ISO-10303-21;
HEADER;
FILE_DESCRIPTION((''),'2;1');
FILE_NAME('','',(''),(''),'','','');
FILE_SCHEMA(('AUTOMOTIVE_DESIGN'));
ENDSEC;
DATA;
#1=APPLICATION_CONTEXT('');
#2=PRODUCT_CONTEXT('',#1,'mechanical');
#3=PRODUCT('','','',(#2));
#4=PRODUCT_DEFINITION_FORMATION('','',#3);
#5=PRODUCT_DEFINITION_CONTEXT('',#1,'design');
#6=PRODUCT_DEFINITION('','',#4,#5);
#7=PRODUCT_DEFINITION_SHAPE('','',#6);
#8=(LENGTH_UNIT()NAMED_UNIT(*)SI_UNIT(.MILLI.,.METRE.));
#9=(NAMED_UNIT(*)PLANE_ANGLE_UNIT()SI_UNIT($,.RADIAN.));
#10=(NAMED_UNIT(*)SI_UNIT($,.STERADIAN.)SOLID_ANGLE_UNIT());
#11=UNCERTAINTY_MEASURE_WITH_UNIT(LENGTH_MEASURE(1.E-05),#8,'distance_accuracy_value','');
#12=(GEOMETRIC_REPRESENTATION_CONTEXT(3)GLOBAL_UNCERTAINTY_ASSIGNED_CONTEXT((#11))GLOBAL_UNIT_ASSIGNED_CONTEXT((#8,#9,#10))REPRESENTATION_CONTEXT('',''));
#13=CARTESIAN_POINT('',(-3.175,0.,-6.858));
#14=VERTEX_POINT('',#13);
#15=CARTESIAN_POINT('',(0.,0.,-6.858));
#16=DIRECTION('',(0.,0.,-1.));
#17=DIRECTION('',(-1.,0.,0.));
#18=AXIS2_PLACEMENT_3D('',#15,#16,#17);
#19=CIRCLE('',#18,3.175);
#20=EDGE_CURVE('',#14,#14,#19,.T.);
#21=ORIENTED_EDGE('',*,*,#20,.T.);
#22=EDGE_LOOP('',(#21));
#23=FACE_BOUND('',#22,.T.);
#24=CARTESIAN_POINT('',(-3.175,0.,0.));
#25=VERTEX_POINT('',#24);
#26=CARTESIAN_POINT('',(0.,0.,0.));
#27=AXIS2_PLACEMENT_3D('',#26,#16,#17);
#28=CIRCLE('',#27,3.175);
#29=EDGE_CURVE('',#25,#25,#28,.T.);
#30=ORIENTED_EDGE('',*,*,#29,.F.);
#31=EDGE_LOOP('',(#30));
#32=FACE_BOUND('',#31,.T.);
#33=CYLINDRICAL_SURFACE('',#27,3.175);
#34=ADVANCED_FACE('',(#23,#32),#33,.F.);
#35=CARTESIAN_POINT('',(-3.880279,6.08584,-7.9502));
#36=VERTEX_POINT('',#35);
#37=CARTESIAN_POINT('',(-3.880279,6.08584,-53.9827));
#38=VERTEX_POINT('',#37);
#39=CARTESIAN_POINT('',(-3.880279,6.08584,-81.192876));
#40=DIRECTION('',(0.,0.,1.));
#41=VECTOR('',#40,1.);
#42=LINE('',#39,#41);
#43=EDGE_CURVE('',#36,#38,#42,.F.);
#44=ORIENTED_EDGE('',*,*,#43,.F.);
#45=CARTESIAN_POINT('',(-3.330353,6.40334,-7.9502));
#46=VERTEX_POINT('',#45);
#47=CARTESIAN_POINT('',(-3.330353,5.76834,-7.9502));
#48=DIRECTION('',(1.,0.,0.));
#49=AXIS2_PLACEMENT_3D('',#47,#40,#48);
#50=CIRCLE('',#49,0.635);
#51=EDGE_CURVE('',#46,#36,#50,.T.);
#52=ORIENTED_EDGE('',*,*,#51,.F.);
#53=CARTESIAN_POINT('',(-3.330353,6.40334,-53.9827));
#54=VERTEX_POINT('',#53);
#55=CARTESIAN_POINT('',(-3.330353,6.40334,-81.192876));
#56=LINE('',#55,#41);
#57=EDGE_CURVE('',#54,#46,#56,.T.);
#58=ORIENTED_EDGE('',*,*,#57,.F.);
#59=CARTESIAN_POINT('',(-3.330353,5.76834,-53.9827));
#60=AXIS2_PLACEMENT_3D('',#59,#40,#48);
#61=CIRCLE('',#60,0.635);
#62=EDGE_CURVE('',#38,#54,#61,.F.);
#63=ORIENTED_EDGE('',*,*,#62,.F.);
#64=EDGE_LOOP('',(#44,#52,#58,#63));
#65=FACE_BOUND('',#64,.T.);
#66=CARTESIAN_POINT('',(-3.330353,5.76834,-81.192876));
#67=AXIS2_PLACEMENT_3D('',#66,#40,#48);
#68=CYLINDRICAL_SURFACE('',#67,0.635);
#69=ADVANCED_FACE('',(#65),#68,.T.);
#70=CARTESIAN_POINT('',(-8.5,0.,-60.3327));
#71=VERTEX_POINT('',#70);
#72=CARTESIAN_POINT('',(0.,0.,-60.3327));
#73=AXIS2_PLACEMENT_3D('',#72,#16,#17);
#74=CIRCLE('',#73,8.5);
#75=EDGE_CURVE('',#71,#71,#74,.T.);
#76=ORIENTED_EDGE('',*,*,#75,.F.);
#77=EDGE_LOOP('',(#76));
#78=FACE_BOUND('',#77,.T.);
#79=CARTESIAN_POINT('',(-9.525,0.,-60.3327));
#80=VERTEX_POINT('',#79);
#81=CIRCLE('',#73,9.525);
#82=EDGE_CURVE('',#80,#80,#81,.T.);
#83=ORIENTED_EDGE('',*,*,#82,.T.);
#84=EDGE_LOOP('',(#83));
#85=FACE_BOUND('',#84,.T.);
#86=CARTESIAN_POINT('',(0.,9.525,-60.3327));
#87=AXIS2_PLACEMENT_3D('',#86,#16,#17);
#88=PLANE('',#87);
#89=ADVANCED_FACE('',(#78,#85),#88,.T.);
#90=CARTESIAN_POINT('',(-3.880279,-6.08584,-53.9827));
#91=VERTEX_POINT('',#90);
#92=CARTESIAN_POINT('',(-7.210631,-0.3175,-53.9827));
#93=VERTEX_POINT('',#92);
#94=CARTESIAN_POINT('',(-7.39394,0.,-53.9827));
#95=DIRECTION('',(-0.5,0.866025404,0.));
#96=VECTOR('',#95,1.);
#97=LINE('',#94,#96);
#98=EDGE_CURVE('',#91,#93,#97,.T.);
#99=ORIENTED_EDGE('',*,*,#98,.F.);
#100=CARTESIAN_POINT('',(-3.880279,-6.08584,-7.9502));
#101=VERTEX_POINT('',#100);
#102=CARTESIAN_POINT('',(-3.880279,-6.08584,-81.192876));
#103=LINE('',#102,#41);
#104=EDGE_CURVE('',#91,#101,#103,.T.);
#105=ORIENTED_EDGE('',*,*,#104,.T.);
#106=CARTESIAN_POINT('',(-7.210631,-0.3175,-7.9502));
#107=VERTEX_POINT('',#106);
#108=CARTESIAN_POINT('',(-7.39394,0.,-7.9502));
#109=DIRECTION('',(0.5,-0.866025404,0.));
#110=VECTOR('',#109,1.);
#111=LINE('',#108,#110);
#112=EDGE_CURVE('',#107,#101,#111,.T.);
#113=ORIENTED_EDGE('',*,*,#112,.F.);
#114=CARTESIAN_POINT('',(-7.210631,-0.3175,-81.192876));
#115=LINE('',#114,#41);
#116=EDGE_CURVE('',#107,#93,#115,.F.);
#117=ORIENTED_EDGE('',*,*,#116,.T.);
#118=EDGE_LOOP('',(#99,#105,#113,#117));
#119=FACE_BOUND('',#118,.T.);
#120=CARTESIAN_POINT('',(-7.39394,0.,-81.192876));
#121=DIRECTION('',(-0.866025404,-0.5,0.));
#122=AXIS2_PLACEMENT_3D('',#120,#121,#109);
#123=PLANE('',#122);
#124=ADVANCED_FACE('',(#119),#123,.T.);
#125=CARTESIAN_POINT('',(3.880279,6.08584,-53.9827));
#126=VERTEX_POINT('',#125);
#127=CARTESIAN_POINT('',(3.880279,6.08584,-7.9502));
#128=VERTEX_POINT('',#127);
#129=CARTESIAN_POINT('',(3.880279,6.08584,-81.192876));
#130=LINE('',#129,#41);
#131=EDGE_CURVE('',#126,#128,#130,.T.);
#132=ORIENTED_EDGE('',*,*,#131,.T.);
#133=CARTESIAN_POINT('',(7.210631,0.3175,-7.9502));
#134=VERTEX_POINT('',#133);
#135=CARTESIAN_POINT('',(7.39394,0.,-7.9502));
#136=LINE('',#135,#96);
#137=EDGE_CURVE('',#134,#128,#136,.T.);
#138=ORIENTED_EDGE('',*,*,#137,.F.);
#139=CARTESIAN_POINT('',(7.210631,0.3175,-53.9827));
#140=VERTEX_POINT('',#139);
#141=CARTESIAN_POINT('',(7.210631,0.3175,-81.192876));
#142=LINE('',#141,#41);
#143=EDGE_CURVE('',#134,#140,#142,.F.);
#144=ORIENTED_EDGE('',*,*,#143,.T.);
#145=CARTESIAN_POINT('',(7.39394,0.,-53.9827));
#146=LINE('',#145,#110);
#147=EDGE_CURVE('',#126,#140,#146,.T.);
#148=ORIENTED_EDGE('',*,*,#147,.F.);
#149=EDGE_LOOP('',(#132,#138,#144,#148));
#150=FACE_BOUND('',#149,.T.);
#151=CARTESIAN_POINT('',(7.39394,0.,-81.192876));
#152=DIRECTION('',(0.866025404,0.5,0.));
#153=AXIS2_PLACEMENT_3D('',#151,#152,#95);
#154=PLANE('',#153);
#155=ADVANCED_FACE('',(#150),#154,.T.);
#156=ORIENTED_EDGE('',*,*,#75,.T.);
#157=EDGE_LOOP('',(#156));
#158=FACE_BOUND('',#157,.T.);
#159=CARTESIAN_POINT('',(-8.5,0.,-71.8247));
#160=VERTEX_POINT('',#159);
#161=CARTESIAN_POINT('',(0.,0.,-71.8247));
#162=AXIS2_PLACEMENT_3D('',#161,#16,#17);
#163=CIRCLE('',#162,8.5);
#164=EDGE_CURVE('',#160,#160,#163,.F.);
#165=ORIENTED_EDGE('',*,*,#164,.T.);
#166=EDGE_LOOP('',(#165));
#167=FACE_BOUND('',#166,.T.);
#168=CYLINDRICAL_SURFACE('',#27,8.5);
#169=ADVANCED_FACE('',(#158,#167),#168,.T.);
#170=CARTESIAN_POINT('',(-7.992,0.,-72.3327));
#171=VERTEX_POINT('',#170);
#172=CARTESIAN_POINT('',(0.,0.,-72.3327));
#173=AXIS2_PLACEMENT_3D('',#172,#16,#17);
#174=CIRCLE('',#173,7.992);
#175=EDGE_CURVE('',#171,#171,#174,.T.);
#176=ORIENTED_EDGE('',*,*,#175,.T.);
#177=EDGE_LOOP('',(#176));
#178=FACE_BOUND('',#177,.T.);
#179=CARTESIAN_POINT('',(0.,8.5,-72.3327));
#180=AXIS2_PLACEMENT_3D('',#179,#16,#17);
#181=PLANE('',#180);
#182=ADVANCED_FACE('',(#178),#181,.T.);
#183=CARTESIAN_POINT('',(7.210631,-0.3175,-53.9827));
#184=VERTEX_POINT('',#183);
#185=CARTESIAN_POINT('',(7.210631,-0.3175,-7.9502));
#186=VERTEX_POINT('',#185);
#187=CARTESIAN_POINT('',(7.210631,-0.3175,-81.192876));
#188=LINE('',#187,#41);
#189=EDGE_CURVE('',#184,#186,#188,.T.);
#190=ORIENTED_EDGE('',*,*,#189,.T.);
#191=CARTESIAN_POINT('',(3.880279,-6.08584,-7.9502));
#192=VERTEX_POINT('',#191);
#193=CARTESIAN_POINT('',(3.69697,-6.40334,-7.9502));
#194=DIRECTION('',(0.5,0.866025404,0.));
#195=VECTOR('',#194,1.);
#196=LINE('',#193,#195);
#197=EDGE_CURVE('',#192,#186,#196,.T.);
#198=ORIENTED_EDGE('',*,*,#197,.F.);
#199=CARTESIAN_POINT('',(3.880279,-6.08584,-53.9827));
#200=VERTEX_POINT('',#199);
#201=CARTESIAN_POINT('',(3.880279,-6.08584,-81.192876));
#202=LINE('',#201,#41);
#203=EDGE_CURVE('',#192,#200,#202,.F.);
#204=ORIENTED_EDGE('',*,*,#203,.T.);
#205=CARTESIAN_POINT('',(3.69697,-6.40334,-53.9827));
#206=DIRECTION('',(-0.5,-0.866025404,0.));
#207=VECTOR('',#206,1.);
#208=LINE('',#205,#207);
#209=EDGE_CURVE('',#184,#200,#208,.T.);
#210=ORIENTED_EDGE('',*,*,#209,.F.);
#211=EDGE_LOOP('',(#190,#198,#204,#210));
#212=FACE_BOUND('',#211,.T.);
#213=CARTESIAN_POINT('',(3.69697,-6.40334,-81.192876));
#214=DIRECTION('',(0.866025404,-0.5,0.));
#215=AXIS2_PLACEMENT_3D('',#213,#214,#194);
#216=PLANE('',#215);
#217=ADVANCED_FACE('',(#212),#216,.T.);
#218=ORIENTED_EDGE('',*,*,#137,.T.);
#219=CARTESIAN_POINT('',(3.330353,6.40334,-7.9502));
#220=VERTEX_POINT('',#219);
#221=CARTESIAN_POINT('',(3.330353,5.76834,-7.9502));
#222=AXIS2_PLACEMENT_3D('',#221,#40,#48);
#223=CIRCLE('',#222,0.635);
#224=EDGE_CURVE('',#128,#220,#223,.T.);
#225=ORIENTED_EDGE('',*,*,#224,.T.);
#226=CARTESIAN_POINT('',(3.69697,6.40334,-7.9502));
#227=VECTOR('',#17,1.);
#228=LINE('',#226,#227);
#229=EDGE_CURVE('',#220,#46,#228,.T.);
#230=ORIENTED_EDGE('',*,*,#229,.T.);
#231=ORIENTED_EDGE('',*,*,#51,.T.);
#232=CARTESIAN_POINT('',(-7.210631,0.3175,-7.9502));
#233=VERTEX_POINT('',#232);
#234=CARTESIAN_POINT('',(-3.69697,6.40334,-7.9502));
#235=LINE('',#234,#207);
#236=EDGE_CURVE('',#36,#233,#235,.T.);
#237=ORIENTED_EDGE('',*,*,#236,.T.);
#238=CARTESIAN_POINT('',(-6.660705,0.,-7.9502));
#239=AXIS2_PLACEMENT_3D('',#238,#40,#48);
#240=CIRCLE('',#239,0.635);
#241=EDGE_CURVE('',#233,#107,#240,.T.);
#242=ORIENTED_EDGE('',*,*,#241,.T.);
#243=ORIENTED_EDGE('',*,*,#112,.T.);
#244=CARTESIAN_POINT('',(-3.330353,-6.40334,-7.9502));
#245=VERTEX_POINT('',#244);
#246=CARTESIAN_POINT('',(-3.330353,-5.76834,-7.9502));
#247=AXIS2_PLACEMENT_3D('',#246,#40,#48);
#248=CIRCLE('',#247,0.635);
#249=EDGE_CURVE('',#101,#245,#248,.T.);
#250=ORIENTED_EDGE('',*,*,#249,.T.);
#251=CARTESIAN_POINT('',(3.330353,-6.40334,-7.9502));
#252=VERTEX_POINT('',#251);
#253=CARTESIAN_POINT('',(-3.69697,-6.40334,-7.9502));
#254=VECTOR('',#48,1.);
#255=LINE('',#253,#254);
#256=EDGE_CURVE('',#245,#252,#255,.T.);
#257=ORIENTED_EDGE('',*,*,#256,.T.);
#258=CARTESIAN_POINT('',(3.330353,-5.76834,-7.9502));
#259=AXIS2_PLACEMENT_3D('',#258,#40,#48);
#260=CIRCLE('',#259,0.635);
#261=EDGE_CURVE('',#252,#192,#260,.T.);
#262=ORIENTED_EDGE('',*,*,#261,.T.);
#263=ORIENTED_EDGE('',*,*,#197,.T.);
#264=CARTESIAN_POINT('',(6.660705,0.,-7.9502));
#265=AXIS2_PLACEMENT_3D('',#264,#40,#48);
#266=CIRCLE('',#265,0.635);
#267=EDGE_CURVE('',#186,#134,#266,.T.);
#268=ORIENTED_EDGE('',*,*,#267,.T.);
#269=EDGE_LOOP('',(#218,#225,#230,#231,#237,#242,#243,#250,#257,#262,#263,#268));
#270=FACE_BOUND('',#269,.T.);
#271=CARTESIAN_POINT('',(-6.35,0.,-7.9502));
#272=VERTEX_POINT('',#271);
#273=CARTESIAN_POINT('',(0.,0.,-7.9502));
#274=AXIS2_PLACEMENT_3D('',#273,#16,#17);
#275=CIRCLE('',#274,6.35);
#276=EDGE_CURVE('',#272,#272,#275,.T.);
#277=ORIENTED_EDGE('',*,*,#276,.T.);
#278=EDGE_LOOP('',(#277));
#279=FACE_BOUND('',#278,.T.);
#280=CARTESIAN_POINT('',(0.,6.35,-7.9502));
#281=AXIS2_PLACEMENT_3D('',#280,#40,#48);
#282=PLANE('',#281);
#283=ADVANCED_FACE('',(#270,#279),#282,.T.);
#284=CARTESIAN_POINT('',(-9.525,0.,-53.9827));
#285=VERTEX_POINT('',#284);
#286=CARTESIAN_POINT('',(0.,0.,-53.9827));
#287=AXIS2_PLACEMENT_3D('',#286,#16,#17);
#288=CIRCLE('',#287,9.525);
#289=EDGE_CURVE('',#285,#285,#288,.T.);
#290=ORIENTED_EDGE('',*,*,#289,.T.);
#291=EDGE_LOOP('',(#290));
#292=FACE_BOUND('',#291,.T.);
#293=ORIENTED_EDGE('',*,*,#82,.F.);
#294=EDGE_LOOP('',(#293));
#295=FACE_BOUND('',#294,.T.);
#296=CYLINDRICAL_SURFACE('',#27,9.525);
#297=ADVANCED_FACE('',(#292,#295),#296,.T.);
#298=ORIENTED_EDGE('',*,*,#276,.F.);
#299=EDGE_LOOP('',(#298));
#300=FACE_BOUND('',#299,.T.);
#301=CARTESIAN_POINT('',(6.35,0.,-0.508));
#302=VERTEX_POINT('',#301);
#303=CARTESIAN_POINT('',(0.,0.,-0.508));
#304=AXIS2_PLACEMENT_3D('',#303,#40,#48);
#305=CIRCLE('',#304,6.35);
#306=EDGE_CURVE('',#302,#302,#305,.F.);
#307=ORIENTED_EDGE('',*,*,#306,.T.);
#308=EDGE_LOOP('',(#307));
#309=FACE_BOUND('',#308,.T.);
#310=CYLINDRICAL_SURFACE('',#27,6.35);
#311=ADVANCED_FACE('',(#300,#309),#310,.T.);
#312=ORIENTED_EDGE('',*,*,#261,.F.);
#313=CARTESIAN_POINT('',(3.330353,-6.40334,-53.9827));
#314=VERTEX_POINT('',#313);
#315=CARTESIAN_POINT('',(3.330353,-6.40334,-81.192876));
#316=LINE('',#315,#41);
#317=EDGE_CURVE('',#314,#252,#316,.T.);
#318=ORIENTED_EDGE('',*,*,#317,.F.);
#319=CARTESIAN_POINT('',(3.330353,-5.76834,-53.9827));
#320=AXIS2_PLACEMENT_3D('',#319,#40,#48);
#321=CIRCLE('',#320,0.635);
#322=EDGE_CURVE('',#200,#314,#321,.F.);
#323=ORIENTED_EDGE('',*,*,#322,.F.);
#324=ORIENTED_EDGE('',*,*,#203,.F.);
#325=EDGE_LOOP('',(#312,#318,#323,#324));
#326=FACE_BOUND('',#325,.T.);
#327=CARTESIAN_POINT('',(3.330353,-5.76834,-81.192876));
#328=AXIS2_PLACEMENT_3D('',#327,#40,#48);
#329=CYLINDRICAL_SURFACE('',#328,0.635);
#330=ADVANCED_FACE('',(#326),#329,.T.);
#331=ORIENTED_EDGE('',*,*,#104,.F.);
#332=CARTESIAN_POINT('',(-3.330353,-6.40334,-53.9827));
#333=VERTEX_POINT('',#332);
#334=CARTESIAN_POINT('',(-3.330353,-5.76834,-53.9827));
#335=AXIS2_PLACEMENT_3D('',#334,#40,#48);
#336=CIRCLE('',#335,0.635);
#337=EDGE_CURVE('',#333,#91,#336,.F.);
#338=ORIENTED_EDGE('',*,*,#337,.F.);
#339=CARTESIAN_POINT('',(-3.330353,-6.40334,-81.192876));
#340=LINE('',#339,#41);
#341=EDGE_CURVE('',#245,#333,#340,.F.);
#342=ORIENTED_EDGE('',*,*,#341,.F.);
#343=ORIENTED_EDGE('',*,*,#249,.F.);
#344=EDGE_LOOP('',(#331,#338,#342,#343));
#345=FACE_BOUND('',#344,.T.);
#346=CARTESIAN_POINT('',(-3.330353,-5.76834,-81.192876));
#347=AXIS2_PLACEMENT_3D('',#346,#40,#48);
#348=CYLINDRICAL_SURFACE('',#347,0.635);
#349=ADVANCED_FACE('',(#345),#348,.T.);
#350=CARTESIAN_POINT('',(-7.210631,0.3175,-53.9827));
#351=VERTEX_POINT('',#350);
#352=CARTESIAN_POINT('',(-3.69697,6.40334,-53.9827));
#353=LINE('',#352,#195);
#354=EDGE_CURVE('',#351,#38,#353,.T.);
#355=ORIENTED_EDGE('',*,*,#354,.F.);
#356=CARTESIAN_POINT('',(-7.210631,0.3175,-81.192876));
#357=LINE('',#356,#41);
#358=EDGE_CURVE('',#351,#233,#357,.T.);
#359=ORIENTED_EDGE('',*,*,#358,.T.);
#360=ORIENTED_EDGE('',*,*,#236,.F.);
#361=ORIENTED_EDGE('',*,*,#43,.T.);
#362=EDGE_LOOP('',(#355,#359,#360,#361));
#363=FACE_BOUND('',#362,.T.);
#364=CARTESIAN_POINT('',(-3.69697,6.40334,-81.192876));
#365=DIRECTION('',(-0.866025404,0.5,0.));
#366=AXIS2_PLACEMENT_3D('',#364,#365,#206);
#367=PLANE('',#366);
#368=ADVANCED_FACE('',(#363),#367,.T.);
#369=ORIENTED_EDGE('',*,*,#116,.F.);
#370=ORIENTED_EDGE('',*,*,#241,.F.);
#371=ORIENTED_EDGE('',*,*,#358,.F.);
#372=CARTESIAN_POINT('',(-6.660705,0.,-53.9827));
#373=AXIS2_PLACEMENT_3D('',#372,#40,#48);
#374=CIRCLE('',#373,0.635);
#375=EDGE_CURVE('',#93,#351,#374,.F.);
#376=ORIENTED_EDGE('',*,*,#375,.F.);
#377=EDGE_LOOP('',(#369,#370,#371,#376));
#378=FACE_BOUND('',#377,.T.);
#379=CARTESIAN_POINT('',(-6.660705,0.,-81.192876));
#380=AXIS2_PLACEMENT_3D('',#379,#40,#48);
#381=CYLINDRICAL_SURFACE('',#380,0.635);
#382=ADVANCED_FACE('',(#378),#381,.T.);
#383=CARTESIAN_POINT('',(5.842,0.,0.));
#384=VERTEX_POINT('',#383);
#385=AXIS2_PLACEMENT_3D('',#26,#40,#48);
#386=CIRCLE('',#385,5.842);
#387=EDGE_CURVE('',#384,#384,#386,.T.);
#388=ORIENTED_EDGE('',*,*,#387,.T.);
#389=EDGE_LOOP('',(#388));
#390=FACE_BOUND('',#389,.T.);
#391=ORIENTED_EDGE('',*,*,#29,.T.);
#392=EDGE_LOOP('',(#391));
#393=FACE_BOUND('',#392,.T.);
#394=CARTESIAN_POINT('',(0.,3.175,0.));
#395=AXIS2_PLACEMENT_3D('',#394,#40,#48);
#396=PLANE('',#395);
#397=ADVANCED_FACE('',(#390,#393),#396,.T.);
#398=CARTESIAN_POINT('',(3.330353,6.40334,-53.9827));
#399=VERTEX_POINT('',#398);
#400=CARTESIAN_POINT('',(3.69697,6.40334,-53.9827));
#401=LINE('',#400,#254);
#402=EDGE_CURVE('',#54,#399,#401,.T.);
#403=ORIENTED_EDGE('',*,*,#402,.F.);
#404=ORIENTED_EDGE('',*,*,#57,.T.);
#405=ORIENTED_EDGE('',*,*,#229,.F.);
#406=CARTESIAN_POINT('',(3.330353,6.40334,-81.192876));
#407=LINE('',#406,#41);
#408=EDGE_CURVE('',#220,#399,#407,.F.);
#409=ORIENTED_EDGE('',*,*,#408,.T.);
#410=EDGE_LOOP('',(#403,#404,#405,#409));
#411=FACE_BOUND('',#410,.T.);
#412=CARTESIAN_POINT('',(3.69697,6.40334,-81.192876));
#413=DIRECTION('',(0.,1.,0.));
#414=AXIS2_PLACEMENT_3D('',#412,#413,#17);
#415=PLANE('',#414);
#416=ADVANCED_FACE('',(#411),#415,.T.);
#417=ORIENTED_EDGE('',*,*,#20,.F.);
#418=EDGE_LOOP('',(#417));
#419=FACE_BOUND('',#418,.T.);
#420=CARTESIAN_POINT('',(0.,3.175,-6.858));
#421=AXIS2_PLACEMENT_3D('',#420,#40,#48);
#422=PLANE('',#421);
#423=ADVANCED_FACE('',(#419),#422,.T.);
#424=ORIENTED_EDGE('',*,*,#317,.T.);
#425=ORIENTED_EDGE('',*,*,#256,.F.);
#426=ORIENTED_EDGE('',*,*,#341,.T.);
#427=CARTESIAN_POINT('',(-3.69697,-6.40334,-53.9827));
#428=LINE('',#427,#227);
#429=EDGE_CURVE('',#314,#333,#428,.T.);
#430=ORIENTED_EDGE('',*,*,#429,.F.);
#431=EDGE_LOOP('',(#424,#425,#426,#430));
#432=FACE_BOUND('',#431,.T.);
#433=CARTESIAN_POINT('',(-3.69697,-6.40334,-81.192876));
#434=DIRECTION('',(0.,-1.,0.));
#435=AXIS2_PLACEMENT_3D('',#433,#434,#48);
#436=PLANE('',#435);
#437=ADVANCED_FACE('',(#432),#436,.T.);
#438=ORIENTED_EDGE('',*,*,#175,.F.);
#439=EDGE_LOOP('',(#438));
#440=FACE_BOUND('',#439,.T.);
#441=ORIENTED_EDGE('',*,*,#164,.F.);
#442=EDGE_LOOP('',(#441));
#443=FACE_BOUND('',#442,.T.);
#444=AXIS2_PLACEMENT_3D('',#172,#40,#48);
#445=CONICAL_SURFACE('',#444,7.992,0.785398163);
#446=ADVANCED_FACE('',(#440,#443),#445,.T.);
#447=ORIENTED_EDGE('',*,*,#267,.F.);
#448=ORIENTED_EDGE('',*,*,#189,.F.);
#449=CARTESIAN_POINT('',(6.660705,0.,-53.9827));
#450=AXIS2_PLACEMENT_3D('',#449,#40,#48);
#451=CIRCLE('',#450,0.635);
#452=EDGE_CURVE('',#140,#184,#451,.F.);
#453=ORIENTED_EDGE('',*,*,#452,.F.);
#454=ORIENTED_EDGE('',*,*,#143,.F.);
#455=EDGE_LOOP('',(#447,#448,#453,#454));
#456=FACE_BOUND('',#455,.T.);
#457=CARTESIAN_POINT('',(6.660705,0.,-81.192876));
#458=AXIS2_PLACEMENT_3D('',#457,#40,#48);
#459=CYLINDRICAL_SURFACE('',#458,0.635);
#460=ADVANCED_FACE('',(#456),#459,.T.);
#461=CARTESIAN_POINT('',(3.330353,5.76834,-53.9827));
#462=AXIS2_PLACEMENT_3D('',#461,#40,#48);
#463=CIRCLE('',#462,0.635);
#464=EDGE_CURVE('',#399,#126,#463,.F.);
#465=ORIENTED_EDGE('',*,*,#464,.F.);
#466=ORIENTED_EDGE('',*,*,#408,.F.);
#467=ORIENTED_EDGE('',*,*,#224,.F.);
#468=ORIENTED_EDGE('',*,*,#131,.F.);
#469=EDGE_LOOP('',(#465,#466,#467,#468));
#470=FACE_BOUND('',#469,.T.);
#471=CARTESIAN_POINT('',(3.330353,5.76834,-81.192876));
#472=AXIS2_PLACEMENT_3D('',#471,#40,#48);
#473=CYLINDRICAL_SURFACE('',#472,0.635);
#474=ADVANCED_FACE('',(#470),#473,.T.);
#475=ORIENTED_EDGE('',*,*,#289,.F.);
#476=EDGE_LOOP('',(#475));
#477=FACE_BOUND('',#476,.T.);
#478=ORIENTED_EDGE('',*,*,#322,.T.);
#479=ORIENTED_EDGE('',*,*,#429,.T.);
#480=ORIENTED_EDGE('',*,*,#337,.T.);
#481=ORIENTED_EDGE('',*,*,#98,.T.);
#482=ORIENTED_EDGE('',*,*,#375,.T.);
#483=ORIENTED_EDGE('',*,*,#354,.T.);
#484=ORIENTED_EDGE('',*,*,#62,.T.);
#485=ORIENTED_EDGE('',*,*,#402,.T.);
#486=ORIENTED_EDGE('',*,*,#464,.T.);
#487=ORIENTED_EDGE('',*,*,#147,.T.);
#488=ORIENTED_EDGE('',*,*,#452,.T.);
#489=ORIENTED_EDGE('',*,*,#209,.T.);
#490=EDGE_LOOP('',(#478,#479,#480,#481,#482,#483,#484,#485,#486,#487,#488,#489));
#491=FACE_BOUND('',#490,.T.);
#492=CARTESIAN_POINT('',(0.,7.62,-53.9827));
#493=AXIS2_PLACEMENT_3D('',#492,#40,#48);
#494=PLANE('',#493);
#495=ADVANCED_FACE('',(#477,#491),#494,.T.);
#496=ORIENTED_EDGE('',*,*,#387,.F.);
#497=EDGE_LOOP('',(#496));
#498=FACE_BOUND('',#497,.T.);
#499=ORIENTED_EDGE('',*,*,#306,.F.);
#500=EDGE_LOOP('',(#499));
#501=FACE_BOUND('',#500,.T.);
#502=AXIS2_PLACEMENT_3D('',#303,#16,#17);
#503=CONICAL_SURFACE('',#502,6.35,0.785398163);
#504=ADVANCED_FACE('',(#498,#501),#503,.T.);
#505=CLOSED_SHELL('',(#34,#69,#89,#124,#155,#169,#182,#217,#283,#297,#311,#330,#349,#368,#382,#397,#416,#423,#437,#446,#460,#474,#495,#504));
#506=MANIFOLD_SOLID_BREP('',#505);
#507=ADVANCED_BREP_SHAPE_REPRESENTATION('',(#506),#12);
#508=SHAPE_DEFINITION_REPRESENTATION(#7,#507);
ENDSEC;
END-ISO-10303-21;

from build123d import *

# Parameters (mm, degrees)
SKETCH3_OUTSIDE_W  = 36.488
SKETCH3_OUTSIDE_H  = 36.488
CUT_EXTRUDE1_DEPTH = 46.03250001
CHAMFER1_SIZE      = 0.508
FILLET1_R          = 0.635


with BuildPart() as part:
    # Sketch2 → Revolve1 (revolve)
    with BuildSketch(Plane(origin=(0, 0, 0), x_dir=(0, 0, -1), z_dir=(1, 0, 0)), mode=Mode.PRIVATE) as revolve1_sk:
        Polygon((0, 3.175), (0, 6.35), (7.9502, 6.35), (7.9502, 7.62), (53.98270001, 7.62), (53.98270001, 9.525), (60.33270001, 9.525), (60.33270001, 8.5), (72.33270001, 8.5), (72.33270001, 0), (6.858, 0), (6.858, 3.175), align=None)
    revolve(revolve1_sk.sketch.rotate(Axis((0, 0, 0), (0, 0, 1)), 90), axis=Axis((0, 0, 0), (0, 0, 1)))

    # Sketch3 outside → Cut-Extrude1 (cut)
    with BuildSketch(Plane.XY.offset(-7.9502)):
        Rectangle(SKETCH3_OUTSIDE_W, SKETCH3_OUTSIDE_H)
        Polygon((3.696970073, 6.40334), (-3.696970073, 6.40334), (-7.393940145, 0), (-3.696970073, -6.40334), (3.696970073, -6.40334), (7.393940145, 0), align=None, mode=Mode.SUBTRACT)
    extrude(amount=-CUT_EXTRUDE1_DEPTH, mode=Mode.SUBTRACT)

    # Chamfer1
    chamfer1_edges = [part.edges().sort_by_distance(p)[0] for p in [
        (8.5, 0, -72.33270001),
        (6.35, 0, 0),
    ]]
    chamfer(chamfer1_edges, length=CHAMFER1_SIZE)

    # Fillet1
    fillet1_edges = [part.edges().sort_by_distance(p)[0] for p in [
        (3.696970073, 6.40334, -30.966450005),
        (-3.696970073, 6.40334, -30.966450005),
        (-7.393940145, 0, -30.966450005),
        (-3.696970073, -6.40334, -30.966450005),
        (3.696970073, -6.40334, -30.966450005),
        (7.393940145, 0, -30.966450005),
    ]]
    fillet(fillet1_edges, radius=FILLET1_R)


solid = part.part
